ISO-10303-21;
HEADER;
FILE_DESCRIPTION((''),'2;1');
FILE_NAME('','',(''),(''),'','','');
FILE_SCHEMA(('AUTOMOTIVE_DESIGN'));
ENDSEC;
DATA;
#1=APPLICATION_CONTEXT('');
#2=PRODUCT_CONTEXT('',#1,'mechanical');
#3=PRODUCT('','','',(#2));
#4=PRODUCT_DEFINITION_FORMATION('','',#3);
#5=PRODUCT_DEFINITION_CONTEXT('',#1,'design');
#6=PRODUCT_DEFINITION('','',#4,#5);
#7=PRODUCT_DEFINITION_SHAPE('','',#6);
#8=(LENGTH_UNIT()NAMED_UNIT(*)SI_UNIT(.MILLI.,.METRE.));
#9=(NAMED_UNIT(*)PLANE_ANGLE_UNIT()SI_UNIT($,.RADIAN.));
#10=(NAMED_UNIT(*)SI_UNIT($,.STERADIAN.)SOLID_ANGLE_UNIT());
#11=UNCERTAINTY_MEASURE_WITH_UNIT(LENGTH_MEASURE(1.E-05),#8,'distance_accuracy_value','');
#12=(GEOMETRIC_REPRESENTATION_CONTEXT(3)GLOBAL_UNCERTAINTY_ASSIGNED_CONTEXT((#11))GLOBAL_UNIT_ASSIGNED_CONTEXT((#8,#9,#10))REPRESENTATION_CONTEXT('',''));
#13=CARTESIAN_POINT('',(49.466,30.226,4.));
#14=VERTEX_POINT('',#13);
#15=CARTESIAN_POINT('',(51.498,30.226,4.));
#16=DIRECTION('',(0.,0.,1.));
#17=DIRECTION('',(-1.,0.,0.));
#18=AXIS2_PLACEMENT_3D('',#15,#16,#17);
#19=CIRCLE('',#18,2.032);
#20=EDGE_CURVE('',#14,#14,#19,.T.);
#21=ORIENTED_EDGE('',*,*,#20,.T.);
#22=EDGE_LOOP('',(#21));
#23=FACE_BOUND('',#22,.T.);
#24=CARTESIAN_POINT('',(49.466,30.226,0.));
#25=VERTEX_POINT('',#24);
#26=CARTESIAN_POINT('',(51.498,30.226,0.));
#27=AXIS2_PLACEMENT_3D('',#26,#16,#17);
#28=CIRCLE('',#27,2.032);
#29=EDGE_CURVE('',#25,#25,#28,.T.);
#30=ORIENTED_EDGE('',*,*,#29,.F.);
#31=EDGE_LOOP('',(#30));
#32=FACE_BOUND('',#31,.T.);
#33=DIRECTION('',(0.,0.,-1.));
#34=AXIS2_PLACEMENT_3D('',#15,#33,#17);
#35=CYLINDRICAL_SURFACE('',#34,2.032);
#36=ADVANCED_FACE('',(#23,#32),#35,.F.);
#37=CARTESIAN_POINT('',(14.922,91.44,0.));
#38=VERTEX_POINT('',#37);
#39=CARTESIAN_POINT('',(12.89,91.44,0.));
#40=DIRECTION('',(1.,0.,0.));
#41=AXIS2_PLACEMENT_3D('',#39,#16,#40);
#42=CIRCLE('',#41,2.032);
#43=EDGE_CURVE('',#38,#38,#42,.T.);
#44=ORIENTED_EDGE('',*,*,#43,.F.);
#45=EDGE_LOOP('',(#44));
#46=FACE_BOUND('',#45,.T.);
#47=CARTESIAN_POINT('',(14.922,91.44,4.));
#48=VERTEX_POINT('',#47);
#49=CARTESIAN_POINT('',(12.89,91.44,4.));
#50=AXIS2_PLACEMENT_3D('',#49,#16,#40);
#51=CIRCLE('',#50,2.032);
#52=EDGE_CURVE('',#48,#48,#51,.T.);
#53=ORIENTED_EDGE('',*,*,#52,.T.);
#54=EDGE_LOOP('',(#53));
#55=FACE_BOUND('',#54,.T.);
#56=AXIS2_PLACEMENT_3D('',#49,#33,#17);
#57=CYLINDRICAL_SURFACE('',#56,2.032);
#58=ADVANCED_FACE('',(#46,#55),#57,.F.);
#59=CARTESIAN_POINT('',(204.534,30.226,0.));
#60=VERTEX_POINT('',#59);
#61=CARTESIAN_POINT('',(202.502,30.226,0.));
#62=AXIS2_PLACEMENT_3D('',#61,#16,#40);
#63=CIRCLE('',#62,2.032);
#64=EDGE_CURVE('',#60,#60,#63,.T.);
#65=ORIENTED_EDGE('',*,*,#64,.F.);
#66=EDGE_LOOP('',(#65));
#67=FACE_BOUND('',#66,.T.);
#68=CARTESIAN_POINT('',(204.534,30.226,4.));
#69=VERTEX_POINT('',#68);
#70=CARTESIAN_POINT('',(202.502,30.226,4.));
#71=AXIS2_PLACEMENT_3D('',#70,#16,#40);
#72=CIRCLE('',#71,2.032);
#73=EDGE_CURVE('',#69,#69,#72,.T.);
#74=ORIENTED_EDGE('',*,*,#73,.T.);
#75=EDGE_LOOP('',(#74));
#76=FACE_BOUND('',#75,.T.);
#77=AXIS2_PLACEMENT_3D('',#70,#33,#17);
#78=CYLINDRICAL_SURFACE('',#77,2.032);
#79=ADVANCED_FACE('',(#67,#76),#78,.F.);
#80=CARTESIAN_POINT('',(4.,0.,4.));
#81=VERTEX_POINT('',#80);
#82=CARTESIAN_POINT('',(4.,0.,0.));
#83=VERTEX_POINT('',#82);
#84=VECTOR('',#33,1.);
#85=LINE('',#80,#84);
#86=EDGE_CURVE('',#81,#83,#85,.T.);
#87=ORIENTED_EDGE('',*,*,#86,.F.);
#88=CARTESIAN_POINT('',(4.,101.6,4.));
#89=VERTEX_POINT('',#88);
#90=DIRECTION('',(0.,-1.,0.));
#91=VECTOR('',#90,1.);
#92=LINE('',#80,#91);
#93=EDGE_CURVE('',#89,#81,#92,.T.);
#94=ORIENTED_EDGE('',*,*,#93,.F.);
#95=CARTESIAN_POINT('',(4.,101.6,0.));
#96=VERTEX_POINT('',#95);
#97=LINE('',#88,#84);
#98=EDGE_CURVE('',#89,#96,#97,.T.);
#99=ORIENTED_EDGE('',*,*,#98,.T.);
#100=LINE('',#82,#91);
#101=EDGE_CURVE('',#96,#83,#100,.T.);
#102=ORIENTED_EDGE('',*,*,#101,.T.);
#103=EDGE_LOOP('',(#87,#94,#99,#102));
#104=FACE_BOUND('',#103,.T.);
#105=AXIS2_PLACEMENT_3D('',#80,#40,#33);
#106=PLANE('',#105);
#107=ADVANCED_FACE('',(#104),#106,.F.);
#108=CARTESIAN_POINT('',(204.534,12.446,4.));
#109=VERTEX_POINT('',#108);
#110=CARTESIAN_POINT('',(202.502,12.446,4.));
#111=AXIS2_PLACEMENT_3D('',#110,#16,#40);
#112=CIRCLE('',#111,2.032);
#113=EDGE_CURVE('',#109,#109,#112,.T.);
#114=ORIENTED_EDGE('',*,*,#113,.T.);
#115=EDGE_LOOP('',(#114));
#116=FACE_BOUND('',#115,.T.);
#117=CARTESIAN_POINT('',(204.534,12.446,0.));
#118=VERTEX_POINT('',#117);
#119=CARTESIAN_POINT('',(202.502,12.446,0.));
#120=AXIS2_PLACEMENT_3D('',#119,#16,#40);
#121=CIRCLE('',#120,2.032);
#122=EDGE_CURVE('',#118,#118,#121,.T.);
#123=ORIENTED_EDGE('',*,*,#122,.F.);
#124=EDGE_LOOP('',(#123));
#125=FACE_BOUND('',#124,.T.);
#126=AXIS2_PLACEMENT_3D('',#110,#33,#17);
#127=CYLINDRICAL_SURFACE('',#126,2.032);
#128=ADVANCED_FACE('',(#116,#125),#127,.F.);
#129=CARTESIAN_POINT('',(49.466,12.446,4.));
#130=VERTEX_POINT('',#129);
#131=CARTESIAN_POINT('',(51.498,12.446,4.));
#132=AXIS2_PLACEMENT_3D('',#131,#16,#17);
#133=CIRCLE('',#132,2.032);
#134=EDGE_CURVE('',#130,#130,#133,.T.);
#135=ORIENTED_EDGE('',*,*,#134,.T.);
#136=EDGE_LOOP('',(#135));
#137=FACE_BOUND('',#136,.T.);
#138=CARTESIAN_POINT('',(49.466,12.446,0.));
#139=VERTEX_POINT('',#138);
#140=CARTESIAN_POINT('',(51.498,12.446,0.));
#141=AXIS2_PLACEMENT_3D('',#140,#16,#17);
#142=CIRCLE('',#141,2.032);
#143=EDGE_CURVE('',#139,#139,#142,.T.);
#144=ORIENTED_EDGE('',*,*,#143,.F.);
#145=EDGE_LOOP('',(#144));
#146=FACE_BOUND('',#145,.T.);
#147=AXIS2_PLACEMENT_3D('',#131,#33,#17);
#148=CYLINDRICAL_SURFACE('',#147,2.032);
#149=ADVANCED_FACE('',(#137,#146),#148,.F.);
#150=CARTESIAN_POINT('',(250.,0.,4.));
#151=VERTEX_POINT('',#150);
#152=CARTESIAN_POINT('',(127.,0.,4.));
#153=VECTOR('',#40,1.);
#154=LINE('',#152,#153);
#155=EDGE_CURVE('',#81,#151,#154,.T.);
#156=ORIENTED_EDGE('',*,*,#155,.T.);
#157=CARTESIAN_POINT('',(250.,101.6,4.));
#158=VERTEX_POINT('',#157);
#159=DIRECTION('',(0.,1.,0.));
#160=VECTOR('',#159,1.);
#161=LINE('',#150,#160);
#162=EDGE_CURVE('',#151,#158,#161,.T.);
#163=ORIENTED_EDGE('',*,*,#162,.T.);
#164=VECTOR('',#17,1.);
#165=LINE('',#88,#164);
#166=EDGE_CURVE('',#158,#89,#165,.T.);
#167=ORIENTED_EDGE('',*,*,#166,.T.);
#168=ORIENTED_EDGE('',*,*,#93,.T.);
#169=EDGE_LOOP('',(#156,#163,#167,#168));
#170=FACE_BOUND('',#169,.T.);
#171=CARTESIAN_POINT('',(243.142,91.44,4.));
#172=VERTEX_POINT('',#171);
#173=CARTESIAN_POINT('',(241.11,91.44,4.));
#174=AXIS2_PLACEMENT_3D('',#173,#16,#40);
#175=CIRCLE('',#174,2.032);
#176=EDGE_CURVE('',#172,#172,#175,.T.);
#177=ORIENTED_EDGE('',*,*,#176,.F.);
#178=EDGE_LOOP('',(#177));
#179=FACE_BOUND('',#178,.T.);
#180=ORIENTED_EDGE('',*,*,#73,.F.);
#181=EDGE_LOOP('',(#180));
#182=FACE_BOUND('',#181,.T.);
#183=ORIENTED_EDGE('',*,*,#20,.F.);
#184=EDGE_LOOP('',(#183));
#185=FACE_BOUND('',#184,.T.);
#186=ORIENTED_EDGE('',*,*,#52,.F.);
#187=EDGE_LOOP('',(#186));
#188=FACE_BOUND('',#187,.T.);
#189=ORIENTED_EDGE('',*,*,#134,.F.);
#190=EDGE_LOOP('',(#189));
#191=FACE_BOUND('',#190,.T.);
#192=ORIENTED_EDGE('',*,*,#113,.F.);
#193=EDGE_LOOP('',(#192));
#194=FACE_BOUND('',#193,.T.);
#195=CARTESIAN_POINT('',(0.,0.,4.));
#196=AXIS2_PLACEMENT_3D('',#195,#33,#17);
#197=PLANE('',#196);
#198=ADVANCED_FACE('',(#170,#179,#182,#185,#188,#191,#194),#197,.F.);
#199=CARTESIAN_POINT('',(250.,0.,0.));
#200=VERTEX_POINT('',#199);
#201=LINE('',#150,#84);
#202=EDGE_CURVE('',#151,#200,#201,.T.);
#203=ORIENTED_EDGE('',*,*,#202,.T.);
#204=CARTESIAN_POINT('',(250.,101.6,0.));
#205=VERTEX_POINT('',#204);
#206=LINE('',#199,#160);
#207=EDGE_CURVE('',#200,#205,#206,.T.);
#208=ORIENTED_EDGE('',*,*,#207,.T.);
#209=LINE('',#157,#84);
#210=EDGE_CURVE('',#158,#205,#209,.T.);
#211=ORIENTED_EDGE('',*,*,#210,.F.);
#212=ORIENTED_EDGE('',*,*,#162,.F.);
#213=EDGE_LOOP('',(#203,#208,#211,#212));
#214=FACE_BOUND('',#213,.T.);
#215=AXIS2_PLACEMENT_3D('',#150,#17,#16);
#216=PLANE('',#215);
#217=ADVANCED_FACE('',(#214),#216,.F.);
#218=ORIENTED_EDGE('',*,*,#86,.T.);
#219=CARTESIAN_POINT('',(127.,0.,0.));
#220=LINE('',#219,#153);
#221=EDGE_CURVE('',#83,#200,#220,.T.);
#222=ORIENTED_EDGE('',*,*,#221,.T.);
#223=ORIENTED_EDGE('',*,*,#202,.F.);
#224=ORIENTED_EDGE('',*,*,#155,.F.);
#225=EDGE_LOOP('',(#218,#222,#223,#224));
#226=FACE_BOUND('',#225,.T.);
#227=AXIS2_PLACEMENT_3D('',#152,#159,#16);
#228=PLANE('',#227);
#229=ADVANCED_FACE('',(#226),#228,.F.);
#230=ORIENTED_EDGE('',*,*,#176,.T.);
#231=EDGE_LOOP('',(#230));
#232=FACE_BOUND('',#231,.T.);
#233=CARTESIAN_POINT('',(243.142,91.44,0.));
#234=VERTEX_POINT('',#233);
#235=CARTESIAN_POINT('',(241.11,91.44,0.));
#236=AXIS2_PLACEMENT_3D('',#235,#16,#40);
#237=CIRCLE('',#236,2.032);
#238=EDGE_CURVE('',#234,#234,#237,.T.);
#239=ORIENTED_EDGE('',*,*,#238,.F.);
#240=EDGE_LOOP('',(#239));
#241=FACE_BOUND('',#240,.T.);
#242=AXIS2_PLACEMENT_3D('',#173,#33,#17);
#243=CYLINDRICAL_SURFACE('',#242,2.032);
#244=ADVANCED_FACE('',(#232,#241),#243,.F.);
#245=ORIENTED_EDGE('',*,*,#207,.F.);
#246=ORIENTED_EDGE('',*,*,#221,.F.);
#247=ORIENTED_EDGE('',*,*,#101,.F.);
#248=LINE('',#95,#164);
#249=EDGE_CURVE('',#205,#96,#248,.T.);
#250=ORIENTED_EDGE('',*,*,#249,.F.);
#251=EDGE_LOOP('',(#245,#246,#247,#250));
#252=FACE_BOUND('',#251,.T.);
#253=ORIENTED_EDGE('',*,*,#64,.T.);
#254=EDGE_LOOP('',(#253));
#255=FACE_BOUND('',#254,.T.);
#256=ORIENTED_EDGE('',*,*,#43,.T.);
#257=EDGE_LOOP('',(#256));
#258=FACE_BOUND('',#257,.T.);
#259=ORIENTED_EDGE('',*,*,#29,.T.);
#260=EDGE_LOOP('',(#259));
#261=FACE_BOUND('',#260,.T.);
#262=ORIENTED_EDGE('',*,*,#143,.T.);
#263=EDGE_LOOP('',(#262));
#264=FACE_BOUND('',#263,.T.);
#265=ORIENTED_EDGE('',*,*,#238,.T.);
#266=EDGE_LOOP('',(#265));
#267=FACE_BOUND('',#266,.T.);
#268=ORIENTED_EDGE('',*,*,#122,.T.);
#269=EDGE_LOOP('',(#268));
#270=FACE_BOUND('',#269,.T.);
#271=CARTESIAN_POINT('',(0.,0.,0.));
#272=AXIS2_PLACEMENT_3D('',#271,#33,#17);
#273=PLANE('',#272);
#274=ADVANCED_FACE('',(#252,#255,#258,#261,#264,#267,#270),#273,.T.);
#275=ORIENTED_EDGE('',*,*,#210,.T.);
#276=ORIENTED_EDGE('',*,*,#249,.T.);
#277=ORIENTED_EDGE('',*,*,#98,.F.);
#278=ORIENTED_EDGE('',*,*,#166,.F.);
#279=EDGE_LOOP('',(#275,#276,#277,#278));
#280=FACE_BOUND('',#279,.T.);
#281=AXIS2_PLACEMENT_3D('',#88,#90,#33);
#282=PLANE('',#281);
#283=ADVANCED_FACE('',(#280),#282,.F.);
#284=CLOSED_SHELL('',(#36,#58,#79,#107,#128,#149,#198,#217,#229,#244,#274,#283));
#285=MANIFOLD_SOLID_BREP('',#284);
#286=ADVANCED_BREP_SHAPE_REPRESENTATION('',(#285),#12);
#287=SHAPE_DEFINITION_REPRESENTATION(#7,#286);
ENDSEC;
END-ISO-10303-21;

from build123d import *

# Parameters (mm, degrees)
SKETCH1_R           = 2.032
BOSS_EXTRUDE1_DEPTH = 4


with BuildPart() as part:
    # Sketch1 → Boss-Extrude1 (new body)
    with BuildSketch(Plane.XY):
        Polygon((4, 101.6), (250, 101.6), (250, 0), (127, 0), (4, 0), align=None)
        with Locations(Location((51.498, 12.446, 0), (0, 0, 180))):
            Circle(SKETCH1_R, mode=Mode.SUBTRACT)
        with Locations(Location((51.498, 30.226, 0), (0, 0, 180))):
            Circle(SKETCH1_R, mode=Mode.SUBTRACT)
        with Locations((202.502, 30.226)):
            Circle(SKETCH1_R, mode=Mode.SUBTRACT)
        with Locations((202.502, 12.446)):
            Circle(SKETCH1_R, mode=Mode.SUBTRACT)
        with Locations((241.11, 91.44)):
            Circle(SKETCH1_R, mode=Mode.SUBTRACT)
        with Locations((12.89, 91.44)):
            Circle(SKETCH1_R, mode=Mode.SUBTRACT)
    extrude(amount=BOSS_EXTRUDE1_DEPTH)


solid = part.part
